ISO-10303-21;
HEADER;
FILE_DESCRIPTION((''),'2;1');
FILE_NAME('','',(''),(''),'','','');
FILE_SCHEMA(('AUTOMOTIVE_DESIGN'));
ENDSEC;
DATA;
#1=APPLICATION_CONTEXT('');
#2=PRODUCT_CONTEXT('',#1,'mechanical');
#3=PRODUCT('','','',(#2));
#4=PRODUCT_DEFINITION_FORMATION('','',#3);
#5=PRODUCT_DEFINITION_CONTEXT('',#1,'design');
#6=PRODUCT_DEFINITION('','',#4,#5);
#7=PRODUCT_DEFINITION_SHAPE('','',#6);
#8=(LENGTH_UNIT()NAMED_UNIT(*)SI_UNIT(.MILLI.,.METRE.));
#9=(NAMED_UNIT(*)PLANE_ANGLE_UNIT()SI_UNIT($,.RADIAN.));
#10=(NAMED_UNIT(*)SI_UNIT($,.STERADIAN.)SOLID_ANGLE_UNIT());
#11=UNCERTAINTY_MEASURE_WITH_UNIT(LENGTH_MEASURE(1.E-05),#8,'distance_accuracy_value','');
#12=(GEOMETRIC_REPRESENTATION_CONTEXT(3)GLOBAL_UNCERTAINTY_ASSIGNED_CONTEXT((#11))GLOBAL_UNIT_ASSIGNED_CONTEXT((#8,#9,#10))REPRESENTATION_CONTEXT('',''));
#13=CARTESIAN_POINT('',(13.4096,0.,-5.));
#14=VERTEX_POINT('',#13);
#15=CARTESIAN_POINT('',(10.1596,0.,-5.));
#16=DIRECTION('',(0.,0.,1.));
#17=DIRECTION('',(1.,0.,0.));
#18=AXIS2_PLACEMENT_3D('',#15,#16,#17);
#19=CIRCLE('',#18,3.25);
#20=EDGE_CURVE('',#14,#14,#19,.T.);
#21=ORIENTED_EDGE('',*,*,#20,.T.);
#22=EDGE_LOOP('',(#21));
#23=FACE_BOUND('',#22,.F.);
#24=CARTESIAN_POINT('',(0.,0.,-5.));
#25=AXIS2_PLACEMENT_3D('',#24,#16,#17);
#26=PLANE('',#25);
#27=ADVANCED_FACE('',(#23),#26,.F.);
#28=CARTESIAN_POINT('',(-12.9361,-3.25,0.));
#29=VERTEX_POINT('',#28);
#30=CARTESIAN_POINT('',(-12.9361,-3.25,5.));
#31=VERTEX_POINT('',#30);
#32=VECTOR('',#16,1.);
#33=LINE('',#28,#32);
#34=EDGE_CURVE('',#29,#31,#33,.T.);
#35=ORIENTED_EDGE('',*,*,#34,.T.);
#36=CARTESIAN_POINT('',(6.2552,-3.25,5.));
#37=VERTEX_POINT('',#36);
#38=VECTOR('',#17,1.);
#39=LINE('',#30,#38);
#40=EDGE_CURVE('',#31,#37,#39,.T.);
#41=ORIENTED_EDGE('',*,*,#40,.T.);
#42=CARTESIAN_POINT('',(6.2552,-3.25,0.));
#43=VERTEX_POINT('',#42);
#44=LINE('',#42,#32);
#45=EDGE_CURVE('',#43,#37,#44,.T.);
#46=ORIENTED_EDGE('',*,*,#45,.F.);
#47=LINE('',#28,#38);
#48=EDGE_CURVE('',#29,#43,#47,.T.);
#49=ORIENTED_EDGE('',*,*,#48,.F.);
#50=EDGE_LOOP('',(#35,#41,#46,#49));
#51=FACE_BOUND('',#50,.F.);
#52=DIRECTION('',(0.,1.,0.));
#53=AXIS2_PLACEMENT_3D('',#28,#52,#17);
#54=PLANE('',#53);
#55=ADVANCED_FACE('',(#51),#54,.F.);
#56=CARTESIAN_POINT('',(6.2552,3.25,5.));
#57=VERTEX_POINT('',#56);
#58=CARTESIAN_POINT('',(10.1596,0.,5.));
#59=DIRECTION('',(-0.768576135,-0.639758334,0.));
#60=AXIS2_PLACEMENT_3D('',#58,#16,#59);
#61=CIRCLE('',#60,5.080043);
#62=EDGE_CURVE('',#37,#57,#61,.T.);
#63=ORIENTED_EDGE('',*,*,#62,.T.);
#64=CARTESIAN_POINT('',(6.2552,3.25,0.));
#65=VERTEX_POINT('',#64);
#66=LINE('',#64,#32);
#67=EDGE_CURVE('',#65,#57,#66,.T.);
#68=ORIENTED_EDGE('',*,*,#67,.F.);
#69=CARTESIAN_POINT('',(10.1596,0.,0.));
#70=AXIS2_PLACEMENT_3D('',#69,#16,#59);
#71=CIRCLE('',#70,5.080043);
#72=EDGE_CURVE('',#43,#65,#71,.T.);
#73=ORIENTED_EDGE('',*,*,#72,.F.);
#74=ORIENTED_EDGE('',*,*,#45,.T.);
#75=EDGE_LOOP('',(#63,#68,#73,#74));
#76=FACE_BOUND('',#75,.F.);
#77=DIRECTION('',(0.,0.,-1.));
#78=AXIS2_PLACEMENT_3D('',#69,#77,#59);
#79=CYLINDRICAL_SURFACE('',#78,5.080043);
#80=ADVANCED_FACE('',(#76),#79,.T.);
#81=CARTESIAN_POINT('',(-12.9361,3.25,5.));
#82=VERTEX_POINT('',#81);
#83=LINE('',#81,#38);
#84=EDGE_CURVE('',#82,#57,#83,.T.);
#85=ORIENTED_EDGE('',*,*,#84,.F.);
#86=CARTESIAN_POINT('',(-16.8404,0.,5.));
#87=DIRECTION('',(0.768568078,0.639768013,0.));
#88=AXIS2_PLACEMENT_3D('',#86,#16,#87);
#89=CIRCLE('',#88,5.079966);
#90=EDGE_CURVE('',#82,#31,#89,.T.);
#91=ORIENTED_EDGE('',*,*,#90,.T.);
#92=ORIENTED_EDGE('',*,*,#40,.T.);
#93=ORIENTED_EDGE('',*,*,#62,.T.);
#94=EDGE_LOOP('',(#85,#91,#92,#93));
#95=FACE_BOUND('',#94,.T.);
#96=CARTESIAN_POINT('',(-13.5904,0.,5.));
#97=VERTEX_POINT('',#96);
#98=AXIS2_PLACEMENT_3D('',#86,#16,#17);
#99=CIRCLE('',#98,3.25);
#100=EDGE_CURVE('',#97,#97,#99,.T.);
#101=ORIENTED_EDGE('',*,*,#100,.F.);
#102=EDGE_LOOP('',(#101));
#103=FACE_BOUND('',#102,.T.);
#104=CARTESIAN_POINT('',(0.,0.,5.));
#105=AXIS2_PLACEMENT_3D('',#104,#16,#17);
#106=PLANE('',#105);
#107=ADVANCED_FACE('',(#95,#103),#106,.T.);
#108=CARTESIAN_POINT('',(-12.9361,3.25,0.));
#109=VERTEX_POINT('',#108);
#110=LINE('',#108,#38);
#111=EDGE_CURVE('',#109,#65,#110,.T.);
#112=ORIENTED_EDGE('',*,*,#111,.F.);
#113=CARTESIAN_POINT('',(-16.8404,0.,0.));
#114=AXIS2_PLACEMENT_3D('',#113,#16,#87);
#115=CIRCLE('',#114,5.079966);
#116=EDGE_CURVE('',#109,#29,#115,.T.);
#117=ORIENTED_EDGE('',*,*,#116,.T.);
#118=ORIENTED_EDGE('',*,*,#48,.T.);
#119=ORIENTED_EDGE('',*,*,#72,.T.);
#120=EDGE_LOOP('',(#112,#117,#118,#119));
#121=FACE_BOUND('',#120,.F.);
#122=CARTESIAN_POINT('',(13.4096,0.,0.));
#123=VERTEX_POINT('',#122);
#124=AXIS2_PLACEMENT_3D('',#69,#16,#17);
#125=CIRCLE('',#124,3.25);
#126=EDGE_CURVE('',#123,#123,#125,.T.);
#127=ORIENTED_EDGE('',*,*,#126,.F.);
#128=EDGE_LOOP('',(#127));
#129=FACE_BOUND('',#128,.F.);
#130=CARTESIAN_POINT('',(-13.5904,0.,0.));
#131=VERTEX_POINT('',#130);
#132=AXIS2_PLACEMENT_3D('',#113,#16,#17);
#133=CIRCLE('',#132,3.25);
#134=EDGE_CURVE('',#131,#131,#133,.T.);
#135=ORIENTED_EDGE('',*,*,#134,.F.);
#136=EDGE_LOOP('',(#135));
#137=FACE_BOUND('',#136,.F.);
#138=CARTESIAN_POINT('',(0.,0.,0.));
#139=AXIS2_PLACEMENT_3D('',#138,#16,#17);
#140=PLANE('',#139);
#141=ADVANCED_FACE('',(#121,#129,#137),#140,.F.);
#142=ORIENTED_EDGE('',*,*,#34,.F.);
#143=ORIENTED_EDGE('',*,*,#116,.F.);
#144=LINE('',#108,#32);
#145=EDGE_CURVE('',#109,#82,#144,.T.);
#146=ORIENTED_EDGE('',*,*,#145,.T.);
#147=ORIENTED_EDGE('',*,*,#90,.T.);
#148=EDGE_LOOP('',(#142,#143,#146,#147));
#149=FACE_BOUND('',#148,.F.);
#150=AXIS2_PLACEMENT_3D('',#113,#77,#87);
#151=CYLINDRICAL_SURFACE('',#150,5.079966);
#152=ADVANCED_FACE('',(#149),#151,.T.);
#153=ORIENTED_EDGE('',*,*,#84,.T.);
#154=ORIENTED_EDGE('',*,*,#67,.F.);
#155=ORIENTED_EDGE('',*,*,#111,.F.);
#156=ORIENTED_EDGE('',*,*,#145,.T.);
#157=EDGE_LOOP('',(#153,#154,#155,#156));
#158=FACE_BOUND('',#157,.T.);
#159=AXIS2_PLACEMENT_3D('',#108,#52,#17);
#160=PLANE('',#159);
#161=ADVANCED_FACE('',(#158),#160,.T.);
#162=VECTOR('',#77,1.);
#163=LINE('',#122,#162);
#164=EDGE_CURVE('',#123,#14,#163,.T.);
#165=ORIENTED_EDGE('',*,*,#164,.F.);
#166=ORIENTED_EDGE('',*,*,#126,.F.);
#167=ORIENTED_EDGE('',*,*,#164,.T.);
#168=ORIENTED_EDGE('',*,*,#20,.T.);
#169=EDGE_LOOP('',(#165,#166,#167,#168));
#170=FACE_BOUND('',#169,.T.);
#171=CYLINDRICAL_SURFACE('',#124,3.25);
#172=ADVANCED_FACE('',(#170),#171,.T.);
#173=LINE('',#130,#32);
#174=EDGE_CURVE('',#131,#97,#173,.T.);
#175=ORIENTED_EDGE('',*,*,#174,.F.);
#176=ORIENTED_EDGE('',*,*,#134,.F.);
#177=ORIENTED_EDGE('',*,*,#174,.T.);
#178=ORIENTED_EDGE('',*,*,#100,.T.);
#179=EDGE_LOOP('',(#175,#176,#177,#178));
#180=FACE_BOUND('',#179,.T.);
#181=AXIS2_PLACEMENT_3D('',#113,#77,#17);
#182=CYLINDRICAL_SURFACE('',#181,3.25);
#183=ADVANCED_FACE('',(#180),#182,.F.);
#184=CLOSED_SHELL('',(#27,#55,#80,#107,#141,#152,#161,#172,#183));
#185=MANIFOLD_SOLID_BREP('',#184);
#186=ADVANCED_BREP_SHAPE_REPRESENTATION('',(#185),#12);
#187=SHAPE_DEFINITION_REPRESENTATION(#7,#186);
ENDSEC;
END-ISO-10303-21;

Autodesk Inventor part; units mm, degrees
ref_plane "YZ Plane" through (0, 0, 0) normal (1, 0, 0) x (0, 1, 0)
ref_plane "XZ Plane" through (0, 0, 0) normal (0, 1, 0) x (-1, 0, 0)
ref_plane "XY Plane" through (0, 0, 0) normal (0, 0, 1) x (1, 0, 0)
sketch "Sketch2" plane through (0, 0, 0) normal (0, 0, 1) x (1, 0, 0)
  arc A0 (-12.9361, 3.25) -> (-12.9361, -3.25) centre (-16.8404, 0) ccw
  line L0 (-12.9361, 3.25) -> (6.2552, 3.25)
  arc A1 (6.2552, -3.25) -> (6.2552, 3.25) centre (10.1596, 0) ccw
  circle A2 centre (10.1596, 0) radius 3.25
  line L1 (-12.9361, 3.25) -> (6.2552, 3.25)
  line L2 (6.2552, 3.25) -> (-12.9361, 3.25)
  arc A3 (-12.9361, 3.25) -> (-12.9361, -3.25) centre (-16.8404, 0) ccw
  arc A4 (-12.9361, 3.25) -> (-12.9361, -3.25) centre (-16.8404, 0) ccw
  circle A5 centre (-16.8404, 0) radius 3.25
  line L3 (-32.8836, 0) -> (22.6789, 0) construction
  line L4 (-12.9361, -3.25) -> (6.2552, -3.25)
  point P0 (0, 0)
  dimension "d8" = 27
  dimension "d9" = 6.5
  dimension "d10" = 6.5
extrude "Extrusion3" add sketch "Sketch2" along normal blind 5 contours L0 A1 L4 A0 | A2
extrude "Extrusion4" add sketch "Sketch2" against normal blind 5 contours A2
equation "\"d9\" = width"
equation "\"d10\" = R"
equation "\"d4\" = thickness"
equation "\"d6\" = thickness"
equation "\"R\" = 6.5"
equation "\"thickness\" = 5"
equation "\"width\" = 6.5"
equation "\"R1\" = 9"
